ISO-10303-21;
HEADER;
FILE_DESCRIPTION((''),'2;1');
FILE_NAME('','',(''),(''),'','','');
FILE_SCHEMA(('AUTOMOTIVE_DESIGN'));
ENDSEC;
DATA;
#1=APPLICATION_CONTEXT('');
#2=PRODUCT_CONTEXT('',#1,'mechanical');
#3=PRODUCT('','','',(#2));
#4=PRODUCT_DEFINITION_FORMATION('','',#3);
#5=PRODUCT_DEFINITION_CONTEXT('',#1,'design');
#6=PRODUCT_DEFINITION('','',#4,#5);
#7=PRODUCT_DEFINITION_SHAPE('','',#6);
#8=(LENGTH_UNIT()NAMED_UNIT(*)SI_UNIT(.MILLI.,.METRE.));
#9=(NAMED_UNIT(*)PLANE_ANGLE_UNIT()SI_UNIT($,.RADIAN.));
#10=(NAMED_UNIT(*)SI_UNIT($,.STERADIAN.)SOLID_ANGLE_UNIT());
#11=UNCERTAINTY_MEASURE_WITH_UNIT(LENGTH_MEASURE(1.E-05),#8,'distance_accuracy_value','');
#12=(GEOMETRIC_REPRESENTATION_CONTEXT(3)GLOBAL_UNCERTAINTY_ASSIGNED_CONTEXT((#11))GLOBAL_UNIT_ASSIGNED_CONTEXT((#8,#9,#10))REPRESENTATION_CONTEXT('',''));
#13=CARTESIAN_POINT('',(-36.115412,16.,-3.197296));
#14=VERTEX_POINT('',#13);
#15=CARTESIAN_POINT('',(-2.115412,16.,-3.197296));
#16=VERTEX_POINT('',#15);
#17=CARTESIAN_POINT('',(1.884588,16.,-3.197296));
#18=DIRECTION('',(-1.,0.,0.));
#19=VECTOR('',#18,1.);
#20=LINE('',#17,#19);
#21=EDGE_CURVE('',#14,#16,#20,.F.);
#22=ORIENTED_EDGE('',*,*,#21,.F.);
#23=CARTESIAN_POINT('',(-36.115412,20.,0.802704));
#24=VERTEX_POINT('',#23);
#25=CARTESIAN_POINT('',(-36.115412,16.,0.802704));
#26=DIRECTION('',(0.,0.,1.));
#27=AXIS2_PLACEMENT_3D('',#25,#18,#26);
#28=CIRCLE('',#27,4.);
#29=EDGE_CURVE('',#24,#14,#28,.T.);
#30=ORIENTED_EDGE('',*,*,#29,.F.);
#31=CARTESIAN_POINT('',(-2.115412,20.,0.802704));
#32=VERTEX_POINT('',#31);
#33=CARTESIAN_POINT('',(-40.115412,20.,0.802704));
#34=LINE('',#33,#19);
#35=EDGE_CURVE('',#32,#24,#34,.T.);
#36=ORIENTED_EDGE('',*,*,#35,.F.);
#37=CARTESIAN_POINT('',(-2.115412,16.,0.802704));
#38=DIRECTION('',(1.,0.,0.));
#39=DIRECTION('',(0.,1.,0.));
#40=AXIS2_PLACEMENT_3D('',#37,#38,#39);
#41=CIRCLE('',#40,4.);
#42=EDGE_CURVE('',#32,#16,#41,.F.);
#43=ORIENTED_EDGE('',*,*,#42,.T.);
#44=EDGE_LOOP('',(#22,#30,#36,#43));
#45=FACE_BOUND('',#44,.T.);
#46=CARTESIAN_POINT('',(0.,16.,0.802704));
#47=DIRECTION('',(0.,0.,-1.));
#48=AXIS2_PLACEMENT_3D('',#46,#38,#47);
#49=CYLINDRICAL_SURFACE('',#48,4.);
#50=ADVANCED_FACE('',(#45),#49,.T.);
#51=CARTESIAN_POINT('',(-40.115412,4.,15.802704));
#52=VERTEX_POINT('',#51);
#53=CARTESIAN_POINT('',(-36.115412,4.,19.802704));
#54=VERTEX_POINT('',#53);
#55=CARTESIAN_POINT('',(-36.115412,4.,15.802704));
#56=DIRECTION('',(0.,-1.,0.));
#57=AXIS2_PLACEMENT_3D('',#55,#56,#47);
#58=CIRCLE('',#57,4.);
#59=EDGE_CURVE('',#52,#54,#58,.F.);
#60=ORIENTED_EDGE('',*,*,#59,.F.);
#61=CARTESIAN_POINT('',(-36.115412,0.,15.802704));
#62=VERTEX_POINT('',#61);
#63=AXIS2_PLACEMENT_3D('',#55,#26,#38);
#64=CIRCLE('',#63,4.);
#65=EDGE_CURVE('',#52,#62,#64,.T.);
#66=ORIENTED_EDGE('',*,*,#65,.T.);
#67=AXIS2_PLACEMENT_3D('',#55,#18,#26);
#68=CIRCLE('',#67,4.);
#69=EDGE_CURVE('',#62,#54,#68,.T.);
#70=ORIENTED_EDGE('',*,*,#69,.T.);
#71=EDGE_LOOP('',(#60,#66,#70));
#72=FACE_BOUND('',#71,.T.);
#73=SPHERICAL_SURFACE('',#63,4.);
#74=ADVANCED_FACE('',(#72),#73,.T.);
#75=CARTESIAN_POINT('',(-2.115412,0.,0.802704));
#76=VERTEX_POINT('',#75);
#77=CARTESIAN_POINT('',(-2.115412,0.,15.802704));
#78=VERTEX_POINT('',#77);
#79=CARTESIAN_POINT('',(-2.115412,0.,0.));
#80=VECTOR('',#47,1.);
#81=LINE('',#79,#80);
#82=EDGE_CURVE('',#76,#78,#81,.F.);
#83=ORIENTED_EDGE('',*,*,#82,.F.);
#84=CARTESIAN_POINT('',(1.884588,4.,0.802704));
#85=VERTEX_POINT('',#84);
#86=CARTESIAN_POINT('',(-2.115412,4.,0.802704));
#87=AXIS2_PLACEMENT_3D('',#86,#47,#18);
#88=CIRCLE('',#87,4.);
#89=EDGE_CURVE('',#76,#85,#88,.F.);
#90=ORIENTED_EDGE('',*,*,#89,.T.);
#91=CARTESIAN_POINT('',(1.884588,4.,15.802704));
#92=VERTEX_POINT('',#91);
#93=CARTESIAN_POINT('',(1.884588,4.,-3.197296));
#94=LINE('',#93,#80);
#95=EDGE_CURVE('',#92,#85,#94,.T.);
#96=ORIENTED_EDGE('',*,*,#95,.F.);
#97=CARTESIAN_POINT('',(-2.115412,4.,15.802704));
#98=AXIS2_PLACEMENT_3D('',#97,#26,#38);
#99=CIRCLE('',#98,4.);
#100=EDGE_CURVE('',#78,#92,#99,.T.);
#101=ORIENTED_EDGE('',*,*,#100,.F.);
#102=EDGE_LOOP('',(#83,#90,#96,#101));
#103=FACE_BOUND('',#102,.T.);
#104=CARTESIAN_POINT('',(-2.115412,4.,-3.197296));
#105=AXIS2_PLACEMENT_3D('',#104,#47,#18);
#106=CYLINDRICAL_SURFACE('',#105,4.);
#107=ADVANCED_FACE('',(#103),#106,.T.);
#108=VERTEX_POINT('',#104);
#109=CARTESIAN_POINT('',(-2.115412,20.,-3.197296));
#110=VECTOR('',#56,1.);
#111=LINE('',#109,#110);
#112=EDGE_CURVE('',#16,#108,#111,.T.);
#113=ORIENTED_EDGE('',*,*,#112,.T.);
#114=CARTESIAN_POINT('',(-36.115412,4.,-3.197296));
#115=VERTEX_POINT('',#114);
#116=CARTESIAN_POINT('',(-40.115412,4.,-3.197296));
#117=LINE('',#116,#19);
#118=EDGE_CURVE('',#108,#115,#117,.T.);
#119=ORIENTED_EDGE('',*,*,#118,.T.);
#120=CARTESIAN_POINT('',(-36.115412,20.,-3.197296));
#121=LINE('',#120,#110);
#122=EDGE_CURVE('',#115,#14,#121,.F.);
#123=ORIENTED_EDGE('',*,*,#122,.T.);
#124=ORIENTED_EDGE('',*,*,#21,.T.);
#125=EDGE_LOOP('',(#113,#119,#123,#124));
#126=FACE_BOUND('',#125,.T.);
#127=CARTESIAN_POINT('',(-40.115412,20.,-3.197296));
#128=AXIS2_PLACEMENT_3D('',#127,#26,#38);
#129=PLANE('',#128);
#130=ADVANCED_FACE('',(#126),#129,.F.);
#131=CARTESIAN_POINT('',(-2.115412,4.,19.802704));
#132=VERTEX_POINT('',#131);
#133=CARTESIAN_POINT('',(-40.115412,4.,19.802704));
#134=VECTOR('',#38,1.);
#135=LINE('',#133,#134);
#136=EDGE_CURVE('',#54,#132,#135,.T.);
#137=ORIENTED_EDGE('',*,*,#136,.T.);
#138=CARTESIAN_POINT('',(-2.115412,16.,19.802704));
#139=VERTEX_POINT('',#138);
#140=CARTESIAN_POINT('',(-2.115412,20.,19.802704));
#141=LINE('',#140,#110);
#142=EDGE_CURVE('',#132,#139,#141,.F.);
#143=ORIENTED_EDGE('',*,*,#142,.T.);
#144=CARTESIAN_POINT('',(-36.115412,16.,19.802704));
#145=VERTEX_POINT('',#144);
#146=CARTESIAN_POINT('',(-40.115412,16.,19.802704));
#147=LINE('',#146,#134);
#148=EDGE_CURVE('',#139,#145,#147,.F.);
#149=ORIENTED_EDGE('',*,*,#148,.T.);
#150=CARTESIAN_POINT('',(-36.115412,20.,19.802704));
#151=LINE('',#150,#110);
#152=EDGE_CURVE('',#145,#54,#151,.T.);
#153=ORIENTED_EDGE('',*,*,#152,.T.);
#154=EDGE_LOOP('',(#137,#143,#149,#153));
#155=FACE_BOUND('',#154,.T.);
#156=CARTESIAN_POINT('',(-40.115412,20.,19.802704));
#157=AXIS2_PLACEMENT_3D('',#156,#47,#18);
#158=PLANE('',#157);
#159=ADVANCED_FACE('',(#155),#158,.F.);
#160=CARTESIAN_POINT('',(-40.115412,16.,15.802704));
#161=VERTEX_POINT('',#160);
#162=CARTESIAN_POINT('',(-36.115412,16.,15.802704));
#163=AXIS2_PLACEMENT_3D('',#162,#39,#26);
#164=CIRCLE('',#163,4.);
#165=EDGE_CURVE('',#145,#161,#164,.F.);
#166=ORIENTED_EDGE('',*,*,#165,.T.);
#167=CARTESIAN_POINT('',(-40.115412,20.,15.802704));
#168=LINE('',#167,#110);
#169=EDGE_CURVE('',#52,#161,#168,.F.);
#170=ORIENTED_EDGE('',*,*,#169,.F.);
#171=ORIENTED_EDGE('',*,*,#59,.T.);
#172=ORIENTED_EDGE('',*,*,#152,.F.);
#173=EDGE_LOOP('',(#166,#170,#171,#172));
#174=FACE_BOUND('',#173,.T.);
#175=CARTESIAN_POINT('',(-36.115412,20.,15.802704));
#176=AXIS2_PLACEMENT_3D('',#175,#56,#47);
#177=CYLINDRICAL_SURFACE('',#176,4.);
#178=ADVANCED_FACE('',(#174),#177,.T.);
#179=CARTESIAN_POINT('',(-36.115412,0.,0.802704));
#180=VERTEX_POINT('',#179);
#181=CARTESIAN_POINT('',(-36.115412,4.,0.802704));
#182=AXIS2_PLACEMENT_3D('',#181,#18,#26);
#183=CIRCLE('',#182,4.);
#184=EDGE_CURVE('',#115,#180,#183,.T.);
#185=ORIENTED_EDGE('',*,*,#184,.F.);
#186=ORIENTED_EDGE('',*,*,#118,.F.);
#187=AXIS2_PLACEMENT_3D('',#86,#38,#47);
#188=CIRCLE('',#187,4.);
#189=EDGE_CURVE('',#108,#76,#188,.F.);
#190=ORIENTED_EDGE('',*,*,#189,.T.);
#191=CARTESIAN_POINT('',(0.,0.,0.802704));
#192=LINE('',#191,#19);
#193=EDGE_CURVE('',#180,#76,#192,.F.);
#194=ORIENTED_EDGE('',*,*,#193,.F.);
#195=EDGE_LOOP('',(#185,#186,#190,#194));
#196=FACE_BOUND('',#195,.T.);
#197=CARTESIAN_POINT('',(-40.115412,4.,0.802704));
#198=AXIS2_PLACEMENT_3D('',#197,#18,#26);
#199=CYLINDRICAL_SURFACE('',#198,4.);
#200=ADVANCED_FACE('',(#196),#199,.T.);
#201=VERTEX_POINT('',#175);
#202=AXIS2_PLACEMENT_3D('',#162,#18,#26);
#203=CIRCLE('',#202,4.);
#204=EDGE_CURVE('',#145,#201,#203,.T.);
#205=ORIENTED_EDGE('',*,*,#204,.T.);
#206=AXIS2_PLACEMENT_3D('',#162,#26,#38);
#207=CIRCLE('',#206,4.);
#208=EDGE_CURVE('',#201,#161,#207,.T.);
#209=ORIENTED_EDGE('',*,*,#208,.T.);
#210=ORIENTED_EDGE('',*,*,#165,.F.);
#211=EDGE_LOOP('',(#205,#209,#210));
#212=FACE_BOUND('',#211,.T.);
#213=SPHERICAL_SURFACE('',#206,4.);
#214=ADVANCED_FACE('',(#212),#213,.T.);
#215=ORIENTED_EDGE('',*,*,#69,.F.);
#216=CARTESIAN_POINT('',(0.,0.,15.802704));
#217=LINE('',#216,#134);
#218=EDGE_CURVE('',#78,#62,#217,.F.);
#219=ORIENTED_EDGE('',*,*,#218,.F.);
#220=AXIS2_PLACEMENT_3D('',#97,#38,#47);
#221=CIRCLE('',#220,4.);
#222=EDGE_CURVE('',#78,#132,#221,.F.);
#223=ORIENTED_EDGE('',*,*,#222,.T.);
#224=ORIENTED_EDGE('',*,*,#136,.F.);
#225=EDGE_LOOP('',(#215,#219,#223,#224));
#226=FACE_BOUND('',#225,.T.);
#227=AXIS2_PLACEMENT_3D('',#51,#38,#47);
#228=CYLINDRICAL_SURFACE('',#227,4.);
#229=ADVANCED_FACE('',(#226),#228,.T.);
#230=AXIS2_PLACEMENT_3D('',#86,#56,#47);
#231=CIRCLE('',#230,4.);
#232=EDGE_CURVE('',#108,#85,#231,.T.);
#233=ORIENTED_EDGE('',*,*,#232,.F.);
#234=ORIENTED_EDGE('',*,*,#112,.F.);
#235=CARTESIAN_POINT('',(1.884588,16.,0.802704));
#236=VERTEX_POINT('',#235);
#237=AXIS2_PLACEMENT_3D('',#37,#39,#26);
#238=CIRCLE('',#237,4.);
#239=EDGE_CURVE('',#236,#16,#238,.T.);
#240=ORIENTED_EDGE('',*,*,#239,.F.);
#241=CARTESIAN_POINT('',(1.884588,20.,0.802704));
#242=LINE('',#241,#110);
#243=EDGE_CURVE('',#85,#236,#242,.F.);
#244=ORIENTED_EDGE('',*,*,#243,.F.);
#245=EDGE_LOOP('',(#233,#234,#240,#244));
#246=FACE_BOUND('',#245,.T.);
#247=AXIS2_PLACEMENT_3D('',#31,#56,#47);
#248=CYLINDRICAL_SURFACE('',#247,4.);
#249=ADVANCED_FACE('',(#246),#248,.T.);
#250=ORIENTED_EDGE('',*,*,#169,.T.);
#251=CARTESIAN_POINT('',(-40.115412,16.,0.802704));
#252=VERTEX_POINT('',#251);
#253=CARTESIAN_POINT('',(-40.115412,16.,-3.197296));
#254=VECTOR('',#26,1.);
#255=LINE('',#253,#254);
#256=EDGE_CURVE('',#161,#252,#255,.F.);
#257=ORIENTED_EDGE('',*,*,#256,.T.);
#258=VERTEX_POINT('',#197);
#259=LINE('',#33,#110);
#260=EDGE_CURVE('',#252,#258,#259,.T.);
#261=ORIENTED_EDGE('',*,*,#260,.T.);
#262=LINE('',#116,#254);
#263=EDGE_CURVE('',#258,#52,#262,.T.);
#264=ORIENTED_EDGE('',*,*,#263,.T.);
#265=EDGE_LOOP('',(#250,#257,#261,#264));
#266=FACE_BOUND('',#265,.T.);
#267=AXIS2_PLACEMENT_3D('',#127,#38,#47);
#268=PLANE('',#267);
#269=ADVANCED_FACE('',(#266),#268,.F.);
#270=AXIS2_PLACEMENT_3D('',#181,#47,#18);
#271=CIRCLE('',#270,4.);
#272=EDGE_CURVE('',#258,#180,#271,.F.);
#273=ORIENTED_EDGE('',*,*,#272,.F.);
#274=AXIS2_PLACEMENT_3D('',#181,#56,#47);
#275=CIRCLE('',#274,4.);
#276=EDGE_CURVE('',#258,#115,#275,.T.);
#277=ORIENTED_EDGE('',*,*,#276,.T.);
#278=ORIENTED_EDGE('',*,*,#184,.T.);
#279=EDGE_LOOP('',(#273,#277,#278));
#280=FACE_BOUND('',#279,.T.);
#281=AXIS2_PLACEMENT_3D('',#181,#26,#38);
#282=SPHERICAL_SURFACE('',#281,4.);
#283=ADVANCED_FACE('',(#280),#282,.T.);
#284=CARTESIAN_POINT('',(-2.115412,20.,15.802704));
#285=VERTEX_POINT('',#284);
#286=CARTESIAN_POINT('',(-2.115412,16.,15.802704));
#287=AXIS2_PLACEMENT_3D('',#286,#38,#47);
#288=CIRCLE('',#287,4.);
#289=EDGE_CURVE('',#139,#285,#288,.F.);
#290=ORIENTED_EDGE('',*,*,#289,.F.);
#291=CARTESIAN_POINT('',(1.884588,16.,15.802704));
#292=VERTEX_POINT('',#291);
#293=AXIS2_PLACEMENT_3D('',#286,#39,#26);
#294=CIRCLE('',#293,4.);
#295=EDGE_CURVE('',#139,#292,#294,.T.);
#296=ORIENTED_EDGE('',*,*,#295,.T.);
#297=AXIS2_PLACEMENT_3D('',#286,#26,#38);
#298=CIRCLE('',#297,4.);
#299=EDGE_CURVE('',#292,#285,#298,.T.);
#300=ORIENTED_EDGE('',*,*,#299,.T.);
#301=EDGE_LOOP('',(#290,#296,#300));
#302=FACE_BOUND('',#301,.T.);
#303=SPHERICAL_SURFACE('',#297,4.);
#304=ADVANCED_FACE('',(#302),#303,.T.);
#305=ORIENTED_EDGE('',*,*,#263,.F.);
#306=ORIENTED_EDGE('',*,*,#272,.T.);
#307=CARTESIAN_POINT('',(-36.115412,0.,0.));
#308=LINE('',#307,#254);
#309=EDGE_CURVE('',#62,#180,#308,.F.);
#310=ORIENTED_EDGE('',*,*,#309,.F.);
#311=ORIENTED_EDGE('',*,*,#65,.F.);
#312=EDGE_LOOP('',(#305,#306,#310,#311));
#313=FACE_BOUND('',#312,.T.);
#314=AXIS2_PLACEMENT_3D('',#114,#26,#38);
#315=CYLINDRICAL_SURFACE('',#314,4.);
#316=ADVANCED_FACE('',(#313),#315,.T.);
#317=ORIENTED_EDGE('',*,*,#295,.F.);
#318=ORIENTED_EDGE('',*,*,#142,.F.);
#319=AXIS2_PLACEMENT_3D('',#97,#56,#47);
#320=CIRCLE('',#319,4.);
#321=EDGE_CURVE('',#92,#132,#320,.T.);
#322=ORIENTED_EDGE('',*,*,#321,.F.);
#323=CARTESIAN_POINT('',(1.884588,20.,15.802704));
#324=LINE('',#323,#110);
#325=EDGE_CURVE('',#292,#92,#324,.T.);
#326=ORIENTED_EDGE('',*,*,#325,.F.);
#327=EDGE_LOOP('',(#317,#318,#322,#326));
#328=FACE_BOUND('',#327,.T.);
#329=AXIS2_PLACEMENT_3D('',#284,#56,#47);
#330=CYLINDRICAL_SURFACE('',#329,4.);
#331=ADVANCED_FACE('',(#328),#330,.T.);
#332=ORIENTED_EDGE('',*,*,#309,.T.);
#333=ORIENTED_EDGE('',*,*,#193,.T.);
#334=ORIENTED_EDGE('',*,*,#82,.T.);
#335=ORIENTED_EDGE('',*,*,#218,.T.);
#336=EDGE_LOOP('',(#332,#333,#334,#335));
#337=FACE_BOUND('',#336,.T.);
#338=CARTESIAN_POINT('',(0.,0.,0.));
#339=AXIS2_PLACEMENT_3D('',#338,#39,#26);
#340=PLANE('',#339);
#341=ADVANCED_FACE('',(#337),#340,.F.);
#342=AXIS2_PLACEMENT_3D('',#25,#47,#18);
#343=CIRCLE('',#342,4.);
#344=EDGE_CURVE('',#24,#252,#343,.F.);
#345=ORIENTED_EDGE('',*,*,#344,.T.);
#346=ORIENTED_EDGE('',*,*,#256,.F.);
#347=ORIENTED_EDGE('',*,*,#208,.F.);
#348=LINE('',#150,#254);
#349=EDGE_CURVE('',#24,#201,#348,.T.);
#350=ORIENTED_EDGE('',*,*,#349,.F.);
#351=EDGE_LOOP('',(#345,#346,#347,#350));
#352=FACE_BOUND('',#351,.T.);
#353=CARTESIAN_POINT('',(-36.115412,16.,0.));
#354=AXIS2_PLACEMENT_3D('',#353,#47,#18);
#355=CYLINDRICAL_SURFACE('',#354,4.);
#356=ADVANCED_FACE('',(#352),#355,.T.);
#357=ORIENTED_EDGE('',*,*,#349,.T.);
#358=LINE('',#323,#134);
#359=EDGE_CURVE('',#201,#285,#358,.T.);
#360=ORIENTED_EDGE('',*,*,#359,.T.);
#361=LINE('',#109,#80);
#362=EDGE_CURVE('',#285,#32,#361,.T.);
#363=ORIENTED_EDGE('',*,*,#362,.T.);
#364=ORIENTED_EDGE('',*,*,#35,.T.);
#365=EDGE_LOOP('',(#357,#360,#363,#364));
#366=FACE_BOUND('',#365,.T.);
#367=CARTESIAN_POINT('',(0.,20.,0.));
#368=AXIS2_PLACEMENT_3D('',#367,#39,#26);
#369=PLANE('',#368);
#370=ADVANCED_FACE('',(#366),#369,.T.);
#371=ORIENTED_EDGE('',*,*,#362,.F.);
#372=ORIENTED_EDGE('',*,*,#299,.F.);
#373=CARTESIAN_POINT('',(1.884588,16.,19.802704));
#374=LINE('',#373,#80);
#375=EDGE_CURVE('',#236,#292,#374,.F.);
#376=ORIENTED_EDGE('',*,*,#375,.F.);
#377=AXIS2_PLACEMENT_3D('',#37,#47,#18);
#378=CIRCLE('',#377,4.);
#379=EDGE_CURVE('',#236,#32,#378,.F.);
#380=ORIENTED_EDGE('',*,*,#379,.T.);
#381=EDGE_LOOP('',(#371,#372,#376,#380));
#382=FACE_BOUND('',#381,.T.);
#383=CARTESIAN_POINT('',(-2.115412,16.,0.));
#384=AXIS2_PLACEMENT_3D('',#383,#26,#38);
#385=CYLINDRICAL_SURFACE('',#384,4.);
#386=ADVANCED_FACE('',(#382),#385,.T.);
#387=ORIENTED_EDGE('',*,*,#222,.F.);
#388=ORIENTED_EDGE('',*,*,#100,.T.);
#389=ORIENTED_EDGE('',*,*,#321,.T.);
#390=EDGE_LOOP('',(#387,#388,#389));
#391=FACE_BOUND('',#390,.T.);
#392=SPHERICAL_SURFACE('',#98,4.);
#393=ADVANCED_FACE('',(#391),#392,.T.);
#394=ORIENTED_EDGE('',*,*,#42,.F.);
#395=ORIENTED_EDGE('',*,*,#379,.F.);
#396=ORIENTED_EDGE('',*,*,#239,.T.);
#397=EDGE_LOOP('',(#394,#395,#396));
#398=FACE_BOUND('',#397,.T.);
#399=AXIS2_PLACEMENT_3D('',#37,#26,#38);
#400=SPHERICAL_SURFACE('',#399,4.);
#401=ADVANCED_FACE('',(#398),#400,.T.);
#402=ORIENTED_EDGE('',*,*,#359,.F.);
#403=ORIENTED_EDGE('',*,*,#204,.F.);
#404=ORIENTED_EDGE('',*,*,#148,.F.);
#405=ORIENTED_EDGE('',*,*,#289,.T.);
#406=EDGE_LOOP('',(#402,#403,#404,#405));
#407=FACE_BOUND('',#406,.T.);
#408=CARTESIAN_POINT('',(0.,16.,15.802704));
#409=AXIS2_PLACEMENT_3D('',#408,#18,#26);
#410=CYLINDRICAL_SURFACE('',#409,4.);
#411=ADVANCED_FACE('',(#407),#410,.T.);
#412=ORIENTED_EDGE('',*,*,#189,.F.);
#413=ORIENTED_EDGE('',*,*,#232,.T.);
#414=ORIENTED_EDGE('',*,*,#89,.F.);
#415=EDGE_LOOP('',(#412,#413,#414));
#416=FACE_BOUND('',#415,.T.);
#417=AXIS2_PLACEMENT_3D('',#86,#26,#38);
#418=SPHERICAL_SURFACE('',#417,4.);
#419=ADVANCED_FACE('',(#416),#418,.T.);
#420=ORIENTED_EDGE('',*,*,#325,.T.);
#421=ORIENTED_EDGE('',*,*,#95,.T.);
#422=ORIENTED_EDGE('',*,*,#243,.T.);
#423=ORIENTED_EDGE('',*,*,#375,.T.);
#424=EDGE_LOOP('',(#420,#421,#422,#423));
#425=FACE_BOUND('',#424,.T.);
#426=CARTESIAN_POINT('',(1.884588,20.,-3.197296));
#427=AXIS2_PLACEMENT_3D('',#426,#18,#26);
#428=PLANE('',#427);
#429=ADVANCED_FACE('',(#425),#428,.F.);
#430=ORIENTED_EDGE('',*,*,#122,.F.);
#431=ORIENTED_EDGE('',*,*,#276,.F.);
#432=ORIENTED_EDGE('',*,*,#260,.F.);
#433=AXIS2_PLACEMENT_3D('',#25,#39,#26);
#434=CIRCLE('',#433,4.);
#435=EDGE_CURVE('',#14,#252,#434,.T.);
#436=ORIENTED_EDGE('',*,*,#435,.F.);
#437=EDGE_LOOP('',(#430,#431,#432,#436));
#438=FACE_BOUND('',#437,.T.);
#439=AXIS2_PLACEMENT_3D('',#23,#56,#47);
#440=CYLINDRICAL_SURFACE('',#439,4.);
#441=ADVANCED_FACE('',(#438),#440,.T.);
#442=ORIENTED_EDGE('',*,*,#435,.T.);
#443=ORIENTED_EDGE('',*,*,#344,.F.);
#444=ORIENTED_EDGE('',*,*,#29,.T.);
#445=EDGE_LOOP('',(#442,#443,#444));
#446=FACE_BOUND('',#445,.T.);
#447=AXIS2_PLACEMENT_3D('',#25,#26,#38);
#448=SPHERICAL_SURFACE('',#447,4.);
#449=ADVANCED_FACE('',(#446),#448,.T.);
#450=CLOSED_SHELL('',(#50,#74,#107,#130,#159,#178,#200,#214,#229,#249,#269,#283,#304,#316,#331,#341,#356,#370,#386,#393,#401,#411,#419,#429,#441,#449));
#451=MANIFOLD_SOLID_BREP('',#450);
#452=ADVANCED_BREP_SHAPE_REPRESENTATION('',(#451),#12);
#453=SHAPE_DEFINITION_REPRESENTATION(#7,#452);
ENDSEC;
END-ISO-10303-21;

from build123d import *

# Parameters (mm, degrees)
SKETCH1_W           = 42
SKETCH1_H           = 23
BOSS_EXTRUDE1_DEPTH = 20
FILLET1_R           = 4


with BuildPart() as part:
    # Sketch1 → Boss-Extrude1 (new body)
    with BuildSketch(Plane(origin=(0, 0, 0), x_dir=(1, 0, 0), z_dir=(0, 1, 0))):
        with Locations((-19.115412049, -8.302704264)):
            Rectangle(SKETCH1_W, SKETCH1_H)
    extrude(amount=BOSS_EXTRUDE1_DEPTH)

    # Fillet1
    fillet1_edges = [part.edges().sort_by_distance(p)[0] for p in [
        (1.884587951, 20, 8.302704264),
        (-19.115412049, 20, -3.197295736),
        (-40.115412049, 20, 8.302704264),
        (-19.115412049, 0, -3.197295736),
        (1.884587951, 0, 8.302704264),
        (-19.115412049, 0, 19.802704264),
        (-40.115412049, 0, 8.302704264),
        (-19.115412049, 20, 19.802704264),
        (-40.115412049, 10, -3.197295736),
        (1.884587951, 10, -3.197295736),
        (1.884587951, 10, 19.802704264),
        (-40.115412049, 10, 19.802704264),
    ]]
    fillet(fillet1_edges, radius=FILLET1_R)


solid = part.part
